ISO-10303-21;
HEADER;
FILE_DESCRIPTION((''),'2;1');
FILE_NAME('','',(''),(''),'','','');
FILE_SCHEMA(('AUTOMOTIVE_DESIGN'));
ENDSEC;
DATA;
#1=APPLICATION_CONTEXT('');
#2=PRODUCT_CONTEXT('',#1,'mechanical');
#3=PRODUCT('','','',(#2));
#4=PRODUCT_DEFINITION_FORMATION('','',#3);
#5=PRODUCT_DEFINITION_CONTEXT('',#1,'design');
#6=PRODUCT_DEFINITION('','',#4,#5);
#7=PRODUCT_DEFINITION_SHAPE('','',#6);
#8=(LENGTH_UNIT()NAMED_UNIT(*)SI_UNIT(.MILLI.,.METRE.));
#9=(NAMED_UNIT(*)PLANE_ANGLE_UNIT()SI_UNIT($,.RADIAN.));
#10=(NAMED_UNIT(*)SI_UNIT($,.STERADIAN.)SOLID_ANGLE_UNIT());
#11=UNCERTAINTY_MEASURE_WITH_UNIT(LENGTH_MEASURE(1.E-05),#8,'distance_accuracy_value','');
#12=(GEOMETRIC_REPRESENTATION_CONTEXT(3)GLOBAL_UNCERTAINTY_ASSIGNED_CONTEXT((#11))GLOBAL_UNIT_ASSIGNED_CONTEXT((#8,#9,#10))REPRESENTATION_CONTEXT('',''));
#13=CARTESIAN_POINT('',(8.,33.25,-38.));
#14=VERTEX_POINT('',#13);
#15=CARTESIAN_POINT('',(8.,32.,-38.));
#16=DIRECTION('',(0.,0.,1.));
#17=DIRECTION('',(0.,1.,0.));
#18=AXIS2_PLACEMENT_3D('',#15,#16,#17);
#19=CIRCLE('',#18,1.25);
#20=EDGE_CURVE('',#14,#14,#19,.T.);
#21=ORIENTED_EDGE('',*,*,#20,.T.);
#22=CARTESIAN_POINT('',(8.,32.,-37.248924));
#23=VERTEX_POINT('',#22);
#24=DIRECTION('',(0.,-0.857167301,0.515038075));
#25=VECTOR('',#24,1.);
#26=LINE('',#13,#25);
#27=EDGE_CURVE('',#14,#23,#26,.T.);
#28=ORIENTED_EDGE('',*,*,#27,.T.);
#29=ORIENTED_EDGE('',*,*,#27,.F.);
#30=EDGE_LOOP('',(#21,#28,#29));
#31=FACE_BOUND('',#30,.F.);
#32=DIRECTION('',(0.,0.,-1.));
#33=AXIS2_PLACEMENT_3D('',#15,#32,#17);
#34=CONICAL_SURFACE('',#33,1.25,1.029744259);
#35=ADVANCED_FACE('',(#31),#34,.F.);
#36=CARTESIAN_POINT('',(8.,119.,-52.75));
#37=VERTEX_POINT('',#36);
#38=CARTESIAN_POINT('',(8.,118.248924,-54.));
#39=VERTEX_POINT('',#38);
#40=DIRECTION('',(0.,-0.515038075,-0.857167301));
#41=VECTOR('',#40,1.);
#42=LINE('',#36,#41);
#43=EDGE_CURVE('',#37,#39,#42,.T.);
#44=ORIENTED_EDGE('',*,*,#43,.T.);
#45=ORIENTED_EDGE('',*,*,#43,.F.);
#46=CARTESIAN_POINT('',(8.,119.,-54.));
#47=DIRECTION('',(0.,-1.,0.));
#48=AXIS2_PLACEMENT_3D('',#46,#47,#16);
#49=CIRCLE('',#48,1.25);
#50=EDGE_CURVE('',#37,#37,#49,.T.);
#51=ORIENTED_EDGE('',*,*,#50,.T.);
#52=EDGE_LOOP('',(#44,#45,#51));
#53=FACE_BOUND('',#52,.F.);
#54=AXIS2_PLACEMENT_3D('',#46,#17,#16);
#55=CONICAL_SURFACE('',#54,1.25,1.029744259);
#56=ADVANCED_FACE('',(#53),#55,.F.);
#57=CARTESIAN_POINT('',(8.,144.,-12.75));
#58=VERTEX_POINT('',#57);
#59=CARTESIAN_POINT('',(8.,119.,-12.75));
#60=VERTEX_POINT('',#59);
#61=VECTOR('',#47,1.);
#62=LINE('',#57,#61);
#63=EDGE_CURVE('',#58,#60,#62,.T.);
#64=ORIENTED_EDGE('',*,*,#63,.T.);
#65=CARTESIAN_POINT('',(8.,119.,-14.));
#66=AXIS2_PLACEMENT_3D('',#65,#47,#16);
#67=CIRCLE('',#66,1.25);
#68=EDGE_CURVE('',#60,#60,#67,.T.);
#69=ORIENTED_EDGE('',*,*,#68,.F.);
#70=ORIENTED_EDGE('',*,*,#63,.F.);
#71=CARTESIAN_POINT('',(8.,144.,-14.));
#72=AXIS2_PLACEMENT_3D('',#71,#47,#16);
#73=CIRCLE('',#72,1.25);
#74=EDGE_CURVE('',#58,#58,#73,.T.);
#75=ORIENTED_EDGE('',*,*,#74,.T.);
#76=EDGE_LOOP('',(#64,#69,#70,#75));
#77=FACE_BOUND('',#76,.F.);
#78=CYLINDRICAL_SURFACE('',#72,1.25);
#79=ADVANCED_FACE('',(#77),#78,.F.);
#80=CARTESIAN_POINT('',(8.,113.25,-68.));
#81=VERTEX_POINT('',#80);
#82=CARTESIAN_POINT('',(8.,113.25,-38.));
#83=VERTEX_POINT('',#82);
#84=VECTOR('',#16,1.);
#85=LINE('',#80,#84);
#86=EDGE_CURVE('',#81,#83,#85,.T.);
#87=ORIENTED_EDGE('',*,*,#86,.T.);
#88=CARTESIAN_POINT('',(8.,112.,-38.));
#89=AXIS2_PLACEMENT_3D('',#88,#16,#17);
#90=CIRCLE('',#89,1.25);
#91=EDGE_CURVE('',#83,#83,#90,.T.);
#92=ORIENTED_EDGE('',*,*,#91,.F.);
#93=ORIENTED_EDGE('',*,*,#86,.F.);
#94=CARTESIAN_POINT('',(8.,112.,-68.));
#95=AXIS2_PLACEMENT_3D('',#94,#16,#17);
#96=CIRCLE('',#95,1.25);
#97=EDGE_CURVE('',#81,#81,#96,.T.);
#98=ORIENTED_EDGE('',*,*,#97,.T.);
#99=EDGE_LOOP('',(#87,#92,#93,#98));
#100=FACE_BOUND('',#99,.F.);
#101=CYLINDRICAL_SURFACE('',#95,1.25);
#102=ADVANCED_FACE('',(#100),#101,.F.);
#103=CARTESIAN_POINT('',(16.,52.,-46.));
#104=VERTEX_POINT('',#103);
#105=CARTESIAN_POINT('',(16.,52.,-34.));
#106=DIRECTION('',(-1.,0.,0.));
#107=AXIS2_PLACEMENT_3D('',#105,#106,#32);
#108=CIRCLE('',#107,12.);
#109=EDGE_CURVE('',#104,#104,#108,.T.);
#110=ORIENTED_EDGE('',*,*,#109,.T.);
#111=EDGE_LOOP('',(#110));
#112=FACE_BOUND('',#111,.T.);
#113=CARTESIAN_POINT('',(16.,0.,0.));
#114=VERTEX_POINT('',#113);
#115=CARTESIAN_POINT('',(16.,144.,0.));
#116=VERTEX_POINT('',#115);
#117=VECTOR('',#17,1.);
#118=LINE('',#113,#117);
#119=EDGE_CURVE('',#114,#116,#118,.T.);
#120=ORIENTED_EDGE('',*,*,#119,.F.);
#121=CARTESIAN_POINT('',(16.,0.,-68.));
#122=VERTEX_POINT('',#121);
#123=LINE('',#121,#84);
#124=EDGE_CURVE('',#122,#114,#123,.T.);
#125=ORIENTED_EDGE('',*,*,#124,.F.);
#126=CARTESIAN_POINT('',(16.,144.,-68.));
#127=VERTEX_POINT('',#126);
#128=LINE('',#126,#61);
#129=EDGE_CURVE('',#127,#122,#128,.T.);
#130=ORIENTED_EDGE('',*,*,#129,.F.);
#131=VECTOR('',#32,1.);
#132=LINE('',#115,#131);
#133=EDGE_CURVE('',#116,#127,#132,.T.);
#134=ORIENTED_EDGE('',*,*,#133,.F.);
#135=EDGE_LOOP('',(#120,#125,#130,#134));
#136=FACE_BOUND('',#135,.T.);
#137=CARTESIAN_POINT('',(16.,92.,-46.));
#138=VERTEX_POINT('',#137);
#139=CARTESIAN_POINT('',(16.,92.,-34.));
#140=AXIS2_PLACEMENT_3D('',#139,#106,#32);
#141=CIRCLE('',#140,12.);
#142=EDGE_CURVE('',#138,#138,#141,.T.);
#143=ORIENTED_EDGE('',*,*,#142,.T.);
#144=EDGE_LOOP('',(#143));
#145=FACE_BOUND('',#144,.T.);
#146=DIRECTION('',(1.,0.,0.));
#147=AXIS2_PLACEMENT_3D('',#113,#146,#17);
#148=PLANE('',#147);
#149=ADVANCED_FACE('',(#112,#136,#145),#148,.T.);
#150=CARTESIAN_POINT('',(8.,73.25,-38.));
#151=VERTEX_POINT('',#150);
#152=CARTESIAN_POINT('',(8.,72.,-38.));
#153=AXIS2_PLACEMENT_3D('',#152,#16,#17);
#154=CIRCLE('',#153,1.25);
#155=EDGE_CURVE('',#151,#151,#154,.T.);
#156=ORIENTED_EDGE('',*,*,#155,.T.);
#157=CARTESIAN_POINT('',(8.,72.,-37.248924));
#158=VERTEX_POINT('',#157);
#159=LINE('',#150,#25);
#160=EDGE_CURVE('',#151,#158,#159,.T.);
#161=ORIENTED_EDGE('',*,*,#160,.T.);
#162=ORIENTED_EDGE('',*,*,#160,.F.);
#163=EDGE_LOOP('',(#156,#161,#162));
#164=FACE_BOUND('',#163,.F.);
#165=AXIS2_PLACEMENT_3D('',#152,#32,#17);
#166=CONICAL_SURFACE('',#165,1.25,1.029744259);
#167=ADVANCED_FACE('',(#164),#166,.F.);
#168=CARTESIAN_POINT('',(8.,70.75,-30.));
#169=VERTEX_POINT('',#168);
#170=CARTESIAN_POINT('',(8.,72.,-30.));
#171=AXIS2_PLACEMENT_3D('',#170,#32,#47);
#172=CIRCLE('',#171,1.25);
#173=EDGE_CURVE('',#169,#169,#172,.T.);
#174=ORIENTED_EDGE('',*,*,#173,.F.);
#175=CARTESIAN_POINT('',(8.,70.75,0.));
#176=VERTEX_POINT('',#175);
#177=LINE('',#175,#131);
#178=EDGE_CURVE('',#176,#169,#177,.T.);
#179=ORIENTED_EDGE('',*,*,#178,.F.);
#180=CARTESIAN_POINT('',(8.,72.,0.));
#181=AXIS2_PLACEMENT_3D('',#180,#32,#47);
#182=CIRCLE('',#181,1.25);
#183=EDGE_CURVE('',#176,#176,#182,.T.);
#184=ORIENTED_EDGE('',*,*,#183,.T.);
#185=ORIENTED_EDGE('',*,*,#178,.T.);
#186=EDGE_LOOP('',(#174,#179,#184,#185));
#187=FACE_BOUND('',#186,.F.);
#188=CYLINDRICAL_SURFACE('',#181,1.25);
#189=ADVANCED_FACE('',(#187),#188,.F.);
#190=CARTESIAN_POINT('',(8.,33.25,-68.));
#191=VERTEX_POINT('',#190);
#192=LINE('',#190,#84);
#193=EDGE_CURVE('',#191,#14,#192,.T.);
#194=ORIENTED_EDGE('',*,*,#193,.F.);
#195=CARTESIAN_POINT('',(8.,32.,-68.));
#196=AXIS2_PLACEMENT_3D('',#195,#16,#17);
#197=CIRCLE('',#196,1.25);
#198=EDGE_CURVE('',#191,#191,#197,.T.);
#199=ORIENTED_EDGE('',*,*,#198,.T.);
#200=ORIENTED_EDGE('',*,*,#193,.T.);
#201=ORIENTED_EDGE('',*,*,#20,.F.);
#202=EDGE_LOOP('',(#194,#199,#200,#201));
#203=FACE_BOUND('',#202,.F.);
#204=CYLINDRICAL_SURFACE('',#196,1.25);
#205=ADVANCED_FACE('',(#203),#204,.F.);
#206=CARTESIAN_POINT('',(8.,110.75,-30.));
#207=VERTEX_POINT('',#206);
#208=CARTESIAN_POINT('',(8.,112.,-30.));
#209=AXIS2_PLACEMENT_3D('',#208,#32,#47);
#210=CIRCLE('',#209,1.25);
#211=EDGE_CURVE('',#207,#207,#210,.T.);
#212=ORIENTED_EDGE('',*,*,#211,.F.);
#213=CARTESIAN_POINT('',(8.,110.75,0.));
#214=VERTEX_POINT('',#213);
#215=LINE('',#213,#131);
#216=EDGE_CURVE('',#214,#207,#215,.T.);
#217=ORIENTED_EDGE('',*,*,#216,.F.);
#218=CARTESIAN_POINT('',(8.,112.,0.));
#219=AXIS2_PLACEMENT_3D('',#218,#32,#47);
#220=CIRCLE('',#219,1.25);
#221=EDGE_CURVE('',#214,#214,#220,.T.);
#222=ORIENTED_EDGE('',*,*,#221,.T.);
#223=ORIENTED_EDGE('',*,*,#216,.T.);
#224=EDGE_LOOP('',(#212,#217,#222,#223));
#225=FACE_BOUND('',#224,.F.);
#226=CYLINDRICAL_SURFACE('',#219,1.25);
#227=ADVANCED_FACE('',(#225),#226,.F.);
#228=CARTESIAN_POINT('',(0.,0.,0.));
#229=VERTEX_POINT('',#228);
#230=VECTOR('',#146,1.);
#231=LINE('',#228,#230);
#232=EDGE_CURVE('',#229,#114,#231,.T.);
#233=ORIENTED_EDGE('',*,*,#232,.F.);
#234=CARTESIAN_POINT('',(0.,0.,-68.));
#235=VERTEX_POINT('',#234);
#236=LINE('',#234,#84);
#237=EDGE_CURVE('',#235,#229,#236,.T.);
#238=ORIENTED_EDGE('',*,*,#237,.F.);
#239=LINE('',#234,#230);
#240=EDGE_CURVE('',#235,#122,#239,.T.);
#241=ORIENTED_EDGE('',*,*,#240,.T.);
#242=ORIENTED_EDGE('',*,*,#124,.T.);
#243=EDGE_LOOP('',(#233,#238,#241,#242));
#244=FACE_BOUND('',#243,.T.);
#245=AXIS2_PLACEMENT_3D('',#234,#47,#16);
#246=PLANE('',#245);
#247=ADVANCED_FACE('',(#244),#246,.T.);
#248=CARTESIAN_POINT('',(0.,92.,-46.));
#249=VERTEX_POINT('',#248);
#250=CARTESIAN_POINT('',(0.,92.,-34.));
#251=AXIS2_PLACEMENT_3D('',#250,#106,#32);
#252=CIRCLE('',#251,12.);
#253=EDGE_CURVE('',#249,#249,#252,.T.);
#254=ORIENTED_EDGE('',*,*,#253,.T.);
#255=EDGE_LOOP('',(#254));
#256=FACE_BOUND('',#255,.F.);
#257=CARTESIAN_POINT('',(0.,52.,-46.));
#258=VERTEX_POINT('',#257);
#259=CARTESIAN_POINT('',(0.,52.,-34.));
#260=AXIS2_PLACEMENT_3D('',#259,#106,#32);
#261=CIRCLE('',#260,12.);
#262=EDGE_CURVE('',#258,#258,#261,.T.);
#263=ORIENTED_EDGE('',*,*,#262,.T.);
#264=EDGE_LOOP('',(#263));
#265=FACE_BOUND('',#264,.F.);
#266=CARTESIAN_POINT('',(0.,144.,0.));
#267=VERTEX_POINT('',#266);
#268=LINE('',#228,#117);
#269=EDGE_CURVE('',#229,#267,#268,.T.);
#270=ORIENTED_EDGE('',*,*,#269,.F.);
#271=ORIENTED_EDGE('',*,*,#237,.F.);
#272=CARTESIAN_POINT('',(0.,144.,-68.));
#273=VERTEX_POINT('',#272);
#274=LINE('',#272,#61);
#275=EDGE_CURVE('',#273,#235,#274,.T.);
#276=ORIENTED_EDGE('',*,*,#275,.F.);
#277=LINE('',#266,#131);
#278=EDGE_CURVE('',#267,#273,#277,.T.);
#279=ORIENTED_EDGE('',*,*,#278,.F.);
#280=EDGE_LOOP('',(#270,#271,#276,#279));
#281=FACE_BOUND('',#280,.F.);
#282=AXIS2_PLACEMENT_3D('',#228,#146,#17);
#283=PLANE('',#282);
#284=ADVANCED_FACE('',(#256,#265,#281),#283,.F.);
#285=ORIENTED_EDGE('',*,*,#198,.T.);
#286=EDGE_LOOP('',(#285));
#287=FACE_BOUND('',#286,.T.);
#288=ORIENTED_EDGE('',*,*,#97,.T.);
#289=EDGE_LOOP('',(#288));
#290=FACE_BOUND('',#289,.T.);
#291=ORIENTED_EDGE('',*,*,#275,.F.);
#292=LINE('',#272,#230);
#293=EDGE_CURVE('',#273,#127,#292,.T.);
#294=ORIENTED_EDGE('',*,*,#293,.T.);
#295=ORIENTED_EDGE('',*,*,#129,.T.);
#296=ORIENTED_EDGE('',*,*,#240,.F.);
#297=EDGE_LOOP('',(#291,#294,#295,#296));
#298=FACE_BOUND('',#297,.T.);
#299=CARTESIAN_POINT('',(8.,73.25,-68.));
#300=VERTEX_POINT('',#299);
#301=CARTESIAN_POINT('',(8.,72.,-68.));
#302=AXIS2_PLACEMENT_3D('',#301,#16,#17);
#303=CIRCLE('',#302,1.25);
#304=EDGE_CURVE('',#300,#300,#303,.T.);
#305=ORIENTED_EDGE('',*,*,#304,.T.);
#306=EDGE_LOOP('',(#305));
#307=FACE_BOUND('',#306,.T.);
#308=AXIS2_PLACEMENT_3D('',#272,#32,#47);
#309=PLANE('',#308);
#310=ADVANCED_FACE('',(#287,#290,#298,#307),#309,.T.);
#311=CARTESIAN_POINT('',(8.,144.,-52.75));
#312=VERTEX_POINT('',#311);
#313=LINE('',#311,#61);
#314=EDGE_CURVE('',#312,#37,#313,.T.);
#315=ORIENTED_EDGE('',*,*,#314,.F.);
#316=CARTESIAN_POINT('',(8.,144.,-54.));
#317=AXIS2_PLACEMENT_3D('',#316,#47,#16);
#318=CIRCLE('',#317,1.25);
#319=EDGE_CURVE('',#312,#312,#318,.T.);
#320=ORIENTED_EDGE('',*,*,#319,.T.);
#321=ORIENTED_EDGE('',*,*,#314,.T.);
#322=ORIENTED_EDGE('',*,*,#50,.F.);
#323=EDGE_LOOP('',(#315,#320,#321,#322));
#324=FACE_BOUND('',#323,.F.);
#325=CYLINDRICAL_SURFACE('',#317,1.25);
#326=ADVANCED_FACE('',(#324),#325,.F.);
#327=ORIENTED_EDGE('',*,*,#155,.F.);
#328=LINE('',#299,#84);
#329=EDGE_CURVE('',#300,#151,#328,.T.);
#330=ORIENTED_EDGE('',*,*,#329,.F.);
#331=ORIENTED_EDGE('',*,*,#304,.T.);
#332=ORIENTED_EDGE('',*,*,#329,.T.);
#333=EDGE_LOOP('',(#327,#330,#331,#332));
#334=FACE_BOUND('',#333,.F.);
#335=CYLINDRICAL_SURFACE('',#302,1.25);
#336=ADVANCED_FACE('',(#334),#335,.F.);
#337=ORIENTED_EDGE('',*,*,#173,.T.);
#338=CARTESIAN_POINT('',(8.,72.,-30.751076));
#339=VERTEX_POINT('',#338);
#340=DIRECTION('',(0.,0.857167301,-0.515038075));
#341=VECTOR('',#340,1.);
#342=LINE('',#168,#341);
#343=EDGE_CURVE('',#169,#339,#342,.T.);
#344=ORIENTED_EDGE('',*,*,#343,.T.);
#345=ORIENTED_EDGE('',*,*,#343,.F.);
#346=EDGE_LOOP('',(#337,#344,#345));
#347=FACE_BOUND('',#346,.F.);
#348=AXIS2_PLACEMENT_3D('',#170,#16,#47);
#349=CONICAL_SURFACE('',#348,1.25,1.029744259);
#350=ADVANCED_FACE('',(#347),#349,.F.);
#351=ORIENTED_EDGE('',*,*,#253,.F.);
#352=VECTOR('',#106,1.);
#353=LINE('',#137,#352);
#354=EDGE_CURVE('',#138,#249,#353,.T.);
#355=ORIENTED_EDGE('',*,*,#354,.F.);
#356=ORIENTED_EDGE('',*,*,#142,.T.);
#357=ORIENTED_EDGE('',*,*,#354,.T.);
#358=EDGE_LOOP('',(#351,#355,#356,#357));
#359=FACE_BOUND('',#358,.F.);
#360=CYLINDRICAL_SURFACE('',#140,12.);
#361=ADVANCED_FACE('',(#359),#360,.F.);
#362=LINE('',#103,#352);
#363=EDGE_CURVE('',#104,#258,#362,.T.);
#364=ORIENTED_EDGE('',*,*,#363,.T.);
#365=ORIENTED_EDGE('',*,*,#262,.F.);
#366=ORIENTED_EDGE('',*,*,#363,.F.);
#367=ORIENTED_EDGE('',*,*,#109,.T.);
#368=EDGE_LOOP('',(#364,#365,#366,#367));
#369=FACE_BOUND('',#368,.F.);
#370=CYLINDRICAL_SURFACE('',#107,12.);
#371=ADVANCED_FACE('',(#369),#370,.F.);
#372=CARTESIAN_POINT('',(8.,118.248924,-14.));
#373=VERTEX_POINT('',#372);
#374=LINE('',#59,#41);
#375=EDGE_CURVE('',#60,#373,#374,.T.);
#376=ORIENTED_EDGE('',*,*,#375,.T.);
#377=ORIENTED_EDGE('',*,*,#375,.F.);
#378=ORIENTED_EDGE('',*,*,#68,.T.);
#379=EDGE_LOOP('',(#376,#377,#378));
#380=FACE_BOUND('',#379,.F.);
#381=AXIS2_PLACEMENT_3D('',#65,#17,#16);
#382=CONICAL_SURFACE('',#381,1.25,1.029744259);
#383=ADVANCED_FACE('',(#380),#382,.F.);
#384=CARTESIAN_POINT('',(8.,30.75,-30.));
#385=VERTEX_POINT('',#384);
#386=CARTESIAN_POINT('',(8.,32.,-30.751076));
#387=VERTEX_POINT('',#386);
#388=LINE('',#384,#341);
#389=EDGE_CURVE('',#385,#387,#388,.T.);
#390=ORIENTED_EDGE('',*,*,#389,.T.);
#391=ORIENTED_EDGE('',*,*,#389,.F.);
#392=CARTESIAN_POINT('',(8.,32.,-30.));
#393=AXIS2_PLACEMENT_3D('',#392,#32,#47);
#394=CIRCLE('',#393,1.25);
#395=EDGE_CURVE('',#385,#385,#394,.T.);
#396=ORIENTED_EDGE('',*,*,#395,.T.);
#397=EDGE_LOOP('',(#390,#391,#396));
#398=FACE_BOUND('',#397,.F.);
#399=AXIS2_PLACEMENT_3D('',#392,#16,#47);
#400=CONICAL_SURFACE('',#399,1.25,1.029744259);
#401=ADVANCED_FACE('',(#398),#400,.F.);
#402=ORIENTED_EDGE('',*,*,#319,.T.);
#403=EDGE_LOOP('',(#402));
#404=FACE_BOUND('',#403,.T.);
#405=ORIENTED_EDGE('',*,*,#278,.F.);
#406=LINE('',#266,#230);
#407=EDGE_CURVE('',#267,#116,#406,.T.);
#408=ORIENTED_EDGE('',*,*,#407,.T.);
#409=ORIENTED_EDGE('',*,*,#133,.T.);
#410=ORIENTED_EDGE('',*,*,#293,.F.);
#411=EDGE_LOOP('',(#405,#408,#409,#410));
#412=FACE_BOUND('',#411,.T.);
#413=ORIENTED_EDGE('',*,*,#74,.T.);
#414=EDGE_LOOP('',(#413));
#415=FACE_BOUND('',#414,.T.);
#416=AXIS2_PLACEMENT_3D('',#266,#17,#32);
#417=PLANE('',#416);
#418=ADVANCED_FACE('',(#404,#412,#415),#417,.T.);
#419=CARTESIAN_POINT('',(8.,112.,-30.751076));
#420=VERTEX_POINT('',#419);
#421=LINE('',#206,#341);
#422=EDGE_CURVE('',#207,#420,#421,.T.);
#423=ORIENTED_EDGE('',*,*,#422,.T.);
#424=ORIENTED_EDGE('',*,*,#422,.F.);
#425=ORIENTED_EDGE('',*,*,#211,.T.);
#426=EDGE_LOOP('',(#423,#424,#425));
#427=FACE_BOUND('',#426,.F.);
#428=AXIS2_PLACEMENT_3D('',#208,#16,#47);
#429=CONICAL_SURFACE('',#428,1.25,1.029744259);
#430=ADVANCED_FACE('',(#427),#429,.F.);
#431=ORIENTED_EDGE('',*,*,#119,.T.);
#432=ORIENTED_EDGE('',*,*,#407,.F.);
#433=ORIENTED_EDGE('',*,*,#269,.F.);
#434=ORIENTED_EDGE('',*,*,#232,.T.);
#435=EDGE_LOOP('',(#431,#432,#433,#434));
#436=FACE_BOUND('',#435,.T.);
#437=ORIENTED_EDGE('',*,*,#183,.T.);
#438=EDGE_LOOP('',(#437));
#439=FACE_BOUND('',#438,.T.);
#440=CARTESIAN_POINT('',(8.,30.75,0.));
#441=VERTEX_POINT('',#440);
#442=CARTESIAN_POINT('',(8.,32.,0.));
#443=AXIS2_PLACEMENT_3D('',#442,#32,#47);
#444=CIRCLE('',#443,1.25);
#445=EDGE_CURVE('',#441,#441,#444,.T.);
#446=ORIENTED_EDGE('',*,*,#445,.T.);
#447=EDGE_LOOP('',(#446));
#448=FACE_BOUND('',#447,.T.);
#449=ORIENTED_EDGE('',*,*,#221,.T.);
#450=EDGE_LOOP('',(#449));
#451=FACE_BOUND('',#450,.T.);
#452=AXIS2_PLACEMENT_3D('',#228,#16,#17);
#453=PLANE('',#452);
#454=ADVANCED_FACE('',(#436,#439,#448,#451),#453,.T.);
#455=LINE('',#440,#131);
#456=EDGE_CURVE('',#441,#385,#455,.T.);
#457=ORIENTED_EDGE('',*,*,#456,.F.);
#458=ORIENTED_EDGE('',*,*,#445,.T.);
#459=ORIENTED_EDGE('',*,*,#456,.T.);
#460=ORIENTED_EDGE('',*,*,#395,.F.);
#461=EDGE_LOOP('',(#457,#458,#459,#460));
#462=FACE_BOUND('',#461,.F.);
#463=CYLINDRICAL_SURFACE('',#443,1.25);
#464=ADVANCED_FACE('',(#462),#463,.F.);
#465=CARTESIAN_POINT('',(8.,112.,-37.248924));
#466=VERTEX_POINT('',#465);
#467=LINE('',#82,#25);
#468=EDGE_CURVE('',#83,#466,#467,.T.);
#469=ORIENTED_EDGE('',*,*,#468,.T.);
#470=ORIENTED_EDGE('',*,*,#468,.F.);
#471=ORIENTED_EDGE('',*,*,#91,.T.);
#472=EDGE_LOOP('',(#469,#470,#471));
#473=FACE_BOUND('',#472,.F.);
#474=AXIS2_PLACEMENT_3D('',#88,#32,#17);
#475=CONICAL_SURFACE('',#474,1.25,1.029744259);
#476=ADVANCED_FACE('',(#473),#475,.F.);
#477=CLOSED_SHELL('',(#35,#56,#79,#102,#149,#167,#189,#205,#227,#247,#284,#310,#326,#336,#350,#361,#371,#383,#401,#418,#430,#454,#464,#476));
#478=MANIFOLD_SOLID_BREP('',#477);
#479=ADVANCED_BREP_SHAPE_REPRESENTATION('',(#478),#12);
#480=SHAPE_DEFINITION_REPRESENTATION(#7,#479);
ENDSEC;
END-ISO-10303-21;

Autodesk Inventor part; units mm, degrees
ref_plane "YZ Plane" through (0, 0, 0) normal (1, 0, 0) x (0, 1, 0)
ref_plane "XZ Plane" through (0, 0, 0) normal (0, 1, 0) x (-1, 0, 0)
ref_plane "XY Plane" through (0, 0, 0) normal (0, 0, 1) x (1, 0, 0)
sketch "Skizze1" plane through (0, 0, 0) normal (1, 0, 0) x (0, 1, 0)
  line L0 (0, 0) -> (144, 0)
  line L1 (144, 0) -> (144, -68)
  line L2 (144, -68) -> (0, -68)
  line L3 (0, -68) -> (0, 0)
  dimension "d0" = 144
  dimension "d1" = 68
extrude "Extrusion1" add sketch "Skizze1" along normal blind 16
sketch "Skizze2" plane through (0, 0, 0) normal (0, 0, 1) x (1, 0, 0)
  line L0 (0, 0) -> (0, 144) construction
  line L1 (0, 72) -> (16, 72) construction
  line L2 (16, 144) -> (16, 0) construction
  line L3 (0, 144) -> (16, 144) construction
  line L4 (8, 144) -> (8, 0) construction
  line L5 (0, 144) -> (16, 144) construction
  line L6 (0, 0) -> (16, 0) construction
  line L7 (0, 144) -> (16, 144) construction
  line L8 (16, 144) -> (16, 0) construction
  line L9 (16, 0) -> (0, 0) construction
  line L10 (0, 0) -> (0, 144) construction
  line L11 (0, 112) -> (16, 112) construction
  line L12 (0, 32) -> (16, 32) construction
  point P0 (8, 112)
  point P1 (8, 72)
  point P2 (8, 32)
  dimension "d4" = 40
  dimension "d5" = 40
hole "Bohrung1" at (8, 112, 0) at (8, 72, 0) at (8, 32, 0) direction (0, 0, -1) diameter 2.5 depth 30 tip angle 118
sketch "Skizze3" plane through (0, 144, 0) normal (0, 1, 0) x (1, 0, 0)
  line L0 (0, 0) -> (16, 0)
  line L1 (16, 0) -> (16, 68)
  line L2 (16, 68) -> (0, 68)
  line L3 (0, 68) -> (0, 0)
  line L4 (8, 0) -> (8, 68) construction
  line L5 (0, 68) -> (16, 68) construction
  line L6 (16, 0) -> (16, 68) construction
  line L7 (16, 34) -> (0, 34) construction
  line L8 (0, 68) -> (0, 0) construction
  line L9 (0, 14) -> (16, 14) construction
  line L10 (0, 54) -> (16, 54) construction
  point P0 (8, 14)
  point P1 (8, 54)
  dimension "d13" = 14
  dimension "d22" = 14
hole "Bohrung2" at (8, 144, -14) at (8, 144, -54) direction (0, -1, 0) diameter 2.5 depth 25 tip angle 118
sketch "Skizze4" plane through (0, 0, -68) normal (0, 0, -1) x (-1, 0, 0)
  line L0 (0, 0) -> (-16, 0) construction
  line L1 (-16, 0) -> (-16, 144) construction
  line L2 (-16, 144) -> (0, 144) construction
  line L3 (0, 144) -> (0, 0) construction
  line L4 (-8, 0) -> (-8, 144) construction
  line L5 (-16, 144) -> (-16, 0) construction
  line L6 (-16, 72) -> (0, 72) construction
  circle A0 centre (-8, 72) radius 1.25 construction
  point P0 (-8, 112)
  point P1 (-8, 32)
  dimension "d23" = 40
  dimension "d24" = 40
hole "Bohrung3" at (8, 72, -68) at (8, 112, -68) at (8, 32, -68) direction (0, 0, 1) diameter 2.5 depth 30 tip angle 118
sketch "Skizze5" plane through (16, 0, 0) normal (1, 0, 0) x (0, 0, -1)
  line L0 (0, 0) -> (68, 0) construction
  line L1 (68, 0) -> (68, 144) construction
  line L2 (68, 144) -> (0, 144) construction
  line L3 (0, 144) -> (0, 0) construction
  line L4 (0, 0) -> (68, 0) construction
  line L5 (34, 0) -> (34, 144) construction
  line L6 (0, 72) -> (68, 72) construction
  line L7 (68, 73.25) -> (68, 70.75) construction
  point P0 (34, 52)
  point P1 (34, 92)
  dimension "d32" = 20
  dimension "d33" = 20
hole "Bohrung4" at (16, 52, -34) at (16, 92, -34) direction (-1, 0, 0) diameter 24 end through all
equation "\"d39\" = Stärke"
equation "\"Biegeradius\" = Stärke"
equation "\"BreiteBiegungsfreistellung\" = Stärke"
equation "\"TiefeBiegungsfreistellung\" = 0.5 * Stärke"
equation "\"GrößeEckenfreistellung\" = 4 * Stärke"
equation "\"MinimalRest\" = 2 * Stärke"
equation "\"Übergangsradius\" = Biegeradius"
equation "\"JacobiRadiusGröße\" = Biegeradius"
equation "\"Abstandsgröße\" = Stärke"
equation "\"Stärke\" = 0.5"
properties part number "licht_200_side_middle" material "Spanplatte"
